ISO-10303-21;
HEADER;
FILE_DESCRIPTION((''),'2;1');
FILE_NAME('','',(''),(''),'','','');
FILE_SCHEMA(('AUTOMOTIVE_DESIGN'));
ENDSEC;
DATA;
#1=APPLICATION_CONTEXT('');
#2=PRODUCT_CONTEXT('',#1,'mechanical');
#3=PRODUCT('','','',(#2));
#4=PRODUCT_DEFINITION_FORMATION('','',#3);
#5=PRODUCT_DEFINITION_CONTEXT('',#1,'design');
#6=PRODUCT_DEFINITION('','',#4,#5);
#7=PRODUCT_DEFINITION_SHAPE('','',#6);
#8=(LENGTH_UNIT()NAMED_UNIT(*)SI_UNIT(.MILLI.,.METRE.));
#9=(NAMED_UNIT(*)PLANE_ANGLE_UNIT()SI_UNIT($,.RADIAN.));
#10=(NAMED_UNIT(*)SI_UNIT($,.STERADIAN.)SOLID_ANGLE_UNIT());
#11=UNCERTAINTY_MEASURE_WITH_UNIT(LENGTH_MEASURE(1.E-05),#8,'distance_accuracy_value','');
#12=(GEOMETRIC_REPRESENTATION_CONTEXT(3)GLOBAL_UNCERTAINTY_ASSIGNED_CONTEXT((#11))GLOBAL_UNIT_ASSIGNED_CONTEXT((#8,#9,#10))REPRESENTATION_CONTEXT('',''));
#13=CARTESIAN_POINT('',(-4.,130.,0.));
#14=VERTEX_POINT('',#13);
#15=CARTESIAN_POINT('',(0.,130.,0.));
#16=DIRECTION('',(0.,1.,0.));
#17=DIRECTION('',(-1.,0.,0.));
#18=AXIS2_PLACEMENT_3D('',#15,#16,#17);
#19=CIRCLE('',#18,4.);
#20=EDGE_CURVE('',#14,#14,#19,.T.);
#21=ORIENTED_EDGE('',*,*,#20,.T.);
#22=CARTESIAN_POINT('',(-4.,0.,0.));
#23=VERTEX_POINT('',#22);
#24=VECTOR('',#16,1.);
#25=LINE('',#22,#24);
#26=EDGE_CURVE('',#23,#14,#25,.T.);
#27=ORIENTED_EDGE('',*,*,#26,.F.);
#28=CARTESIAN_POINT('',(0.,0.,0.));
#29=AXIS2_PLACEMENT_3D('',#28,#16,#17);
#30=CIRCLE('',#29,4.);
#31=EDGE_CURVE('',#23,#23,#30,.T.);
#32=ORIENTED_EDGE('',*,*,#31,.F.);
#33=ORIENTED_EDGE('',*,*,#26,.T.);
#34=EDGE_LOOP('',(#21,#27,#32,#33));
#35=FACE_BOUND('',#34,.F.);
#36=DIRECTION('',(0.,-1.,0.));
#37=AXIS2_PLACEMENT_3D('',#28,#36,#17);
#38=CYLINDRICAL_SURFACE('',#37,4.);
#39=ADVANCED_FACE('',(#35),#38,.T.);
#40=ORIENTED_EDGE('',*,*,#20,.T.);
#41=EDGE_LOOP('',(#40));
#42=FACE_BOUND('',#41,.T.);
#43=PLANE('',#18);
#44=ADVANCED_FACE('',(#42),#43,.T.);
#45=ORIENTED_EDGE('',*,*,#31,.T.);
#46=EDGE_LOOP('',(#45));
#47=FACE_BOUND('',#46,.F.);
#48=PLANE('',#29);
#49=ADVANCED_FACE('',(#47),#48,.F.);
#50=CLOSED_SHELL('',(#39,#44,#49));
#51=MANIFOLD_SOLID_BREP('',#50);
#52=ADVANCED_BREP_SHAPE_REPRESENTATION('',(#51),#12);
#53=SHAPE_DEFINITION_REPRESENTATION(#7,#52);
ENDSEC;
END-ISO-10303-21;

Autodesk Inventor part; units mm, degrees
ref_plane "YZ Plane" through (0, 0, 0) normal (1, 0, 0) x (0, 1, 0)
ref_plane "XZ Plane" through (0, 0, 0) normal (0, 1, 0) x (-1, 0, 0)
ref_plane "XY Plane" through (0, 0, 0) normal (0, 0, 1) x (1, 0, 0)
sketch "Sketch1" plane through (0, 0, 0) normal (0, 1, 0) x (-1, 0, 0)
  circle A0 centre (0, 0) radius 4
  dimension "d0" = 8
extrude "Extrusion1" add sketch "Sketch1" along normal blind 130
properties part number "Z-AXIS ROD"
